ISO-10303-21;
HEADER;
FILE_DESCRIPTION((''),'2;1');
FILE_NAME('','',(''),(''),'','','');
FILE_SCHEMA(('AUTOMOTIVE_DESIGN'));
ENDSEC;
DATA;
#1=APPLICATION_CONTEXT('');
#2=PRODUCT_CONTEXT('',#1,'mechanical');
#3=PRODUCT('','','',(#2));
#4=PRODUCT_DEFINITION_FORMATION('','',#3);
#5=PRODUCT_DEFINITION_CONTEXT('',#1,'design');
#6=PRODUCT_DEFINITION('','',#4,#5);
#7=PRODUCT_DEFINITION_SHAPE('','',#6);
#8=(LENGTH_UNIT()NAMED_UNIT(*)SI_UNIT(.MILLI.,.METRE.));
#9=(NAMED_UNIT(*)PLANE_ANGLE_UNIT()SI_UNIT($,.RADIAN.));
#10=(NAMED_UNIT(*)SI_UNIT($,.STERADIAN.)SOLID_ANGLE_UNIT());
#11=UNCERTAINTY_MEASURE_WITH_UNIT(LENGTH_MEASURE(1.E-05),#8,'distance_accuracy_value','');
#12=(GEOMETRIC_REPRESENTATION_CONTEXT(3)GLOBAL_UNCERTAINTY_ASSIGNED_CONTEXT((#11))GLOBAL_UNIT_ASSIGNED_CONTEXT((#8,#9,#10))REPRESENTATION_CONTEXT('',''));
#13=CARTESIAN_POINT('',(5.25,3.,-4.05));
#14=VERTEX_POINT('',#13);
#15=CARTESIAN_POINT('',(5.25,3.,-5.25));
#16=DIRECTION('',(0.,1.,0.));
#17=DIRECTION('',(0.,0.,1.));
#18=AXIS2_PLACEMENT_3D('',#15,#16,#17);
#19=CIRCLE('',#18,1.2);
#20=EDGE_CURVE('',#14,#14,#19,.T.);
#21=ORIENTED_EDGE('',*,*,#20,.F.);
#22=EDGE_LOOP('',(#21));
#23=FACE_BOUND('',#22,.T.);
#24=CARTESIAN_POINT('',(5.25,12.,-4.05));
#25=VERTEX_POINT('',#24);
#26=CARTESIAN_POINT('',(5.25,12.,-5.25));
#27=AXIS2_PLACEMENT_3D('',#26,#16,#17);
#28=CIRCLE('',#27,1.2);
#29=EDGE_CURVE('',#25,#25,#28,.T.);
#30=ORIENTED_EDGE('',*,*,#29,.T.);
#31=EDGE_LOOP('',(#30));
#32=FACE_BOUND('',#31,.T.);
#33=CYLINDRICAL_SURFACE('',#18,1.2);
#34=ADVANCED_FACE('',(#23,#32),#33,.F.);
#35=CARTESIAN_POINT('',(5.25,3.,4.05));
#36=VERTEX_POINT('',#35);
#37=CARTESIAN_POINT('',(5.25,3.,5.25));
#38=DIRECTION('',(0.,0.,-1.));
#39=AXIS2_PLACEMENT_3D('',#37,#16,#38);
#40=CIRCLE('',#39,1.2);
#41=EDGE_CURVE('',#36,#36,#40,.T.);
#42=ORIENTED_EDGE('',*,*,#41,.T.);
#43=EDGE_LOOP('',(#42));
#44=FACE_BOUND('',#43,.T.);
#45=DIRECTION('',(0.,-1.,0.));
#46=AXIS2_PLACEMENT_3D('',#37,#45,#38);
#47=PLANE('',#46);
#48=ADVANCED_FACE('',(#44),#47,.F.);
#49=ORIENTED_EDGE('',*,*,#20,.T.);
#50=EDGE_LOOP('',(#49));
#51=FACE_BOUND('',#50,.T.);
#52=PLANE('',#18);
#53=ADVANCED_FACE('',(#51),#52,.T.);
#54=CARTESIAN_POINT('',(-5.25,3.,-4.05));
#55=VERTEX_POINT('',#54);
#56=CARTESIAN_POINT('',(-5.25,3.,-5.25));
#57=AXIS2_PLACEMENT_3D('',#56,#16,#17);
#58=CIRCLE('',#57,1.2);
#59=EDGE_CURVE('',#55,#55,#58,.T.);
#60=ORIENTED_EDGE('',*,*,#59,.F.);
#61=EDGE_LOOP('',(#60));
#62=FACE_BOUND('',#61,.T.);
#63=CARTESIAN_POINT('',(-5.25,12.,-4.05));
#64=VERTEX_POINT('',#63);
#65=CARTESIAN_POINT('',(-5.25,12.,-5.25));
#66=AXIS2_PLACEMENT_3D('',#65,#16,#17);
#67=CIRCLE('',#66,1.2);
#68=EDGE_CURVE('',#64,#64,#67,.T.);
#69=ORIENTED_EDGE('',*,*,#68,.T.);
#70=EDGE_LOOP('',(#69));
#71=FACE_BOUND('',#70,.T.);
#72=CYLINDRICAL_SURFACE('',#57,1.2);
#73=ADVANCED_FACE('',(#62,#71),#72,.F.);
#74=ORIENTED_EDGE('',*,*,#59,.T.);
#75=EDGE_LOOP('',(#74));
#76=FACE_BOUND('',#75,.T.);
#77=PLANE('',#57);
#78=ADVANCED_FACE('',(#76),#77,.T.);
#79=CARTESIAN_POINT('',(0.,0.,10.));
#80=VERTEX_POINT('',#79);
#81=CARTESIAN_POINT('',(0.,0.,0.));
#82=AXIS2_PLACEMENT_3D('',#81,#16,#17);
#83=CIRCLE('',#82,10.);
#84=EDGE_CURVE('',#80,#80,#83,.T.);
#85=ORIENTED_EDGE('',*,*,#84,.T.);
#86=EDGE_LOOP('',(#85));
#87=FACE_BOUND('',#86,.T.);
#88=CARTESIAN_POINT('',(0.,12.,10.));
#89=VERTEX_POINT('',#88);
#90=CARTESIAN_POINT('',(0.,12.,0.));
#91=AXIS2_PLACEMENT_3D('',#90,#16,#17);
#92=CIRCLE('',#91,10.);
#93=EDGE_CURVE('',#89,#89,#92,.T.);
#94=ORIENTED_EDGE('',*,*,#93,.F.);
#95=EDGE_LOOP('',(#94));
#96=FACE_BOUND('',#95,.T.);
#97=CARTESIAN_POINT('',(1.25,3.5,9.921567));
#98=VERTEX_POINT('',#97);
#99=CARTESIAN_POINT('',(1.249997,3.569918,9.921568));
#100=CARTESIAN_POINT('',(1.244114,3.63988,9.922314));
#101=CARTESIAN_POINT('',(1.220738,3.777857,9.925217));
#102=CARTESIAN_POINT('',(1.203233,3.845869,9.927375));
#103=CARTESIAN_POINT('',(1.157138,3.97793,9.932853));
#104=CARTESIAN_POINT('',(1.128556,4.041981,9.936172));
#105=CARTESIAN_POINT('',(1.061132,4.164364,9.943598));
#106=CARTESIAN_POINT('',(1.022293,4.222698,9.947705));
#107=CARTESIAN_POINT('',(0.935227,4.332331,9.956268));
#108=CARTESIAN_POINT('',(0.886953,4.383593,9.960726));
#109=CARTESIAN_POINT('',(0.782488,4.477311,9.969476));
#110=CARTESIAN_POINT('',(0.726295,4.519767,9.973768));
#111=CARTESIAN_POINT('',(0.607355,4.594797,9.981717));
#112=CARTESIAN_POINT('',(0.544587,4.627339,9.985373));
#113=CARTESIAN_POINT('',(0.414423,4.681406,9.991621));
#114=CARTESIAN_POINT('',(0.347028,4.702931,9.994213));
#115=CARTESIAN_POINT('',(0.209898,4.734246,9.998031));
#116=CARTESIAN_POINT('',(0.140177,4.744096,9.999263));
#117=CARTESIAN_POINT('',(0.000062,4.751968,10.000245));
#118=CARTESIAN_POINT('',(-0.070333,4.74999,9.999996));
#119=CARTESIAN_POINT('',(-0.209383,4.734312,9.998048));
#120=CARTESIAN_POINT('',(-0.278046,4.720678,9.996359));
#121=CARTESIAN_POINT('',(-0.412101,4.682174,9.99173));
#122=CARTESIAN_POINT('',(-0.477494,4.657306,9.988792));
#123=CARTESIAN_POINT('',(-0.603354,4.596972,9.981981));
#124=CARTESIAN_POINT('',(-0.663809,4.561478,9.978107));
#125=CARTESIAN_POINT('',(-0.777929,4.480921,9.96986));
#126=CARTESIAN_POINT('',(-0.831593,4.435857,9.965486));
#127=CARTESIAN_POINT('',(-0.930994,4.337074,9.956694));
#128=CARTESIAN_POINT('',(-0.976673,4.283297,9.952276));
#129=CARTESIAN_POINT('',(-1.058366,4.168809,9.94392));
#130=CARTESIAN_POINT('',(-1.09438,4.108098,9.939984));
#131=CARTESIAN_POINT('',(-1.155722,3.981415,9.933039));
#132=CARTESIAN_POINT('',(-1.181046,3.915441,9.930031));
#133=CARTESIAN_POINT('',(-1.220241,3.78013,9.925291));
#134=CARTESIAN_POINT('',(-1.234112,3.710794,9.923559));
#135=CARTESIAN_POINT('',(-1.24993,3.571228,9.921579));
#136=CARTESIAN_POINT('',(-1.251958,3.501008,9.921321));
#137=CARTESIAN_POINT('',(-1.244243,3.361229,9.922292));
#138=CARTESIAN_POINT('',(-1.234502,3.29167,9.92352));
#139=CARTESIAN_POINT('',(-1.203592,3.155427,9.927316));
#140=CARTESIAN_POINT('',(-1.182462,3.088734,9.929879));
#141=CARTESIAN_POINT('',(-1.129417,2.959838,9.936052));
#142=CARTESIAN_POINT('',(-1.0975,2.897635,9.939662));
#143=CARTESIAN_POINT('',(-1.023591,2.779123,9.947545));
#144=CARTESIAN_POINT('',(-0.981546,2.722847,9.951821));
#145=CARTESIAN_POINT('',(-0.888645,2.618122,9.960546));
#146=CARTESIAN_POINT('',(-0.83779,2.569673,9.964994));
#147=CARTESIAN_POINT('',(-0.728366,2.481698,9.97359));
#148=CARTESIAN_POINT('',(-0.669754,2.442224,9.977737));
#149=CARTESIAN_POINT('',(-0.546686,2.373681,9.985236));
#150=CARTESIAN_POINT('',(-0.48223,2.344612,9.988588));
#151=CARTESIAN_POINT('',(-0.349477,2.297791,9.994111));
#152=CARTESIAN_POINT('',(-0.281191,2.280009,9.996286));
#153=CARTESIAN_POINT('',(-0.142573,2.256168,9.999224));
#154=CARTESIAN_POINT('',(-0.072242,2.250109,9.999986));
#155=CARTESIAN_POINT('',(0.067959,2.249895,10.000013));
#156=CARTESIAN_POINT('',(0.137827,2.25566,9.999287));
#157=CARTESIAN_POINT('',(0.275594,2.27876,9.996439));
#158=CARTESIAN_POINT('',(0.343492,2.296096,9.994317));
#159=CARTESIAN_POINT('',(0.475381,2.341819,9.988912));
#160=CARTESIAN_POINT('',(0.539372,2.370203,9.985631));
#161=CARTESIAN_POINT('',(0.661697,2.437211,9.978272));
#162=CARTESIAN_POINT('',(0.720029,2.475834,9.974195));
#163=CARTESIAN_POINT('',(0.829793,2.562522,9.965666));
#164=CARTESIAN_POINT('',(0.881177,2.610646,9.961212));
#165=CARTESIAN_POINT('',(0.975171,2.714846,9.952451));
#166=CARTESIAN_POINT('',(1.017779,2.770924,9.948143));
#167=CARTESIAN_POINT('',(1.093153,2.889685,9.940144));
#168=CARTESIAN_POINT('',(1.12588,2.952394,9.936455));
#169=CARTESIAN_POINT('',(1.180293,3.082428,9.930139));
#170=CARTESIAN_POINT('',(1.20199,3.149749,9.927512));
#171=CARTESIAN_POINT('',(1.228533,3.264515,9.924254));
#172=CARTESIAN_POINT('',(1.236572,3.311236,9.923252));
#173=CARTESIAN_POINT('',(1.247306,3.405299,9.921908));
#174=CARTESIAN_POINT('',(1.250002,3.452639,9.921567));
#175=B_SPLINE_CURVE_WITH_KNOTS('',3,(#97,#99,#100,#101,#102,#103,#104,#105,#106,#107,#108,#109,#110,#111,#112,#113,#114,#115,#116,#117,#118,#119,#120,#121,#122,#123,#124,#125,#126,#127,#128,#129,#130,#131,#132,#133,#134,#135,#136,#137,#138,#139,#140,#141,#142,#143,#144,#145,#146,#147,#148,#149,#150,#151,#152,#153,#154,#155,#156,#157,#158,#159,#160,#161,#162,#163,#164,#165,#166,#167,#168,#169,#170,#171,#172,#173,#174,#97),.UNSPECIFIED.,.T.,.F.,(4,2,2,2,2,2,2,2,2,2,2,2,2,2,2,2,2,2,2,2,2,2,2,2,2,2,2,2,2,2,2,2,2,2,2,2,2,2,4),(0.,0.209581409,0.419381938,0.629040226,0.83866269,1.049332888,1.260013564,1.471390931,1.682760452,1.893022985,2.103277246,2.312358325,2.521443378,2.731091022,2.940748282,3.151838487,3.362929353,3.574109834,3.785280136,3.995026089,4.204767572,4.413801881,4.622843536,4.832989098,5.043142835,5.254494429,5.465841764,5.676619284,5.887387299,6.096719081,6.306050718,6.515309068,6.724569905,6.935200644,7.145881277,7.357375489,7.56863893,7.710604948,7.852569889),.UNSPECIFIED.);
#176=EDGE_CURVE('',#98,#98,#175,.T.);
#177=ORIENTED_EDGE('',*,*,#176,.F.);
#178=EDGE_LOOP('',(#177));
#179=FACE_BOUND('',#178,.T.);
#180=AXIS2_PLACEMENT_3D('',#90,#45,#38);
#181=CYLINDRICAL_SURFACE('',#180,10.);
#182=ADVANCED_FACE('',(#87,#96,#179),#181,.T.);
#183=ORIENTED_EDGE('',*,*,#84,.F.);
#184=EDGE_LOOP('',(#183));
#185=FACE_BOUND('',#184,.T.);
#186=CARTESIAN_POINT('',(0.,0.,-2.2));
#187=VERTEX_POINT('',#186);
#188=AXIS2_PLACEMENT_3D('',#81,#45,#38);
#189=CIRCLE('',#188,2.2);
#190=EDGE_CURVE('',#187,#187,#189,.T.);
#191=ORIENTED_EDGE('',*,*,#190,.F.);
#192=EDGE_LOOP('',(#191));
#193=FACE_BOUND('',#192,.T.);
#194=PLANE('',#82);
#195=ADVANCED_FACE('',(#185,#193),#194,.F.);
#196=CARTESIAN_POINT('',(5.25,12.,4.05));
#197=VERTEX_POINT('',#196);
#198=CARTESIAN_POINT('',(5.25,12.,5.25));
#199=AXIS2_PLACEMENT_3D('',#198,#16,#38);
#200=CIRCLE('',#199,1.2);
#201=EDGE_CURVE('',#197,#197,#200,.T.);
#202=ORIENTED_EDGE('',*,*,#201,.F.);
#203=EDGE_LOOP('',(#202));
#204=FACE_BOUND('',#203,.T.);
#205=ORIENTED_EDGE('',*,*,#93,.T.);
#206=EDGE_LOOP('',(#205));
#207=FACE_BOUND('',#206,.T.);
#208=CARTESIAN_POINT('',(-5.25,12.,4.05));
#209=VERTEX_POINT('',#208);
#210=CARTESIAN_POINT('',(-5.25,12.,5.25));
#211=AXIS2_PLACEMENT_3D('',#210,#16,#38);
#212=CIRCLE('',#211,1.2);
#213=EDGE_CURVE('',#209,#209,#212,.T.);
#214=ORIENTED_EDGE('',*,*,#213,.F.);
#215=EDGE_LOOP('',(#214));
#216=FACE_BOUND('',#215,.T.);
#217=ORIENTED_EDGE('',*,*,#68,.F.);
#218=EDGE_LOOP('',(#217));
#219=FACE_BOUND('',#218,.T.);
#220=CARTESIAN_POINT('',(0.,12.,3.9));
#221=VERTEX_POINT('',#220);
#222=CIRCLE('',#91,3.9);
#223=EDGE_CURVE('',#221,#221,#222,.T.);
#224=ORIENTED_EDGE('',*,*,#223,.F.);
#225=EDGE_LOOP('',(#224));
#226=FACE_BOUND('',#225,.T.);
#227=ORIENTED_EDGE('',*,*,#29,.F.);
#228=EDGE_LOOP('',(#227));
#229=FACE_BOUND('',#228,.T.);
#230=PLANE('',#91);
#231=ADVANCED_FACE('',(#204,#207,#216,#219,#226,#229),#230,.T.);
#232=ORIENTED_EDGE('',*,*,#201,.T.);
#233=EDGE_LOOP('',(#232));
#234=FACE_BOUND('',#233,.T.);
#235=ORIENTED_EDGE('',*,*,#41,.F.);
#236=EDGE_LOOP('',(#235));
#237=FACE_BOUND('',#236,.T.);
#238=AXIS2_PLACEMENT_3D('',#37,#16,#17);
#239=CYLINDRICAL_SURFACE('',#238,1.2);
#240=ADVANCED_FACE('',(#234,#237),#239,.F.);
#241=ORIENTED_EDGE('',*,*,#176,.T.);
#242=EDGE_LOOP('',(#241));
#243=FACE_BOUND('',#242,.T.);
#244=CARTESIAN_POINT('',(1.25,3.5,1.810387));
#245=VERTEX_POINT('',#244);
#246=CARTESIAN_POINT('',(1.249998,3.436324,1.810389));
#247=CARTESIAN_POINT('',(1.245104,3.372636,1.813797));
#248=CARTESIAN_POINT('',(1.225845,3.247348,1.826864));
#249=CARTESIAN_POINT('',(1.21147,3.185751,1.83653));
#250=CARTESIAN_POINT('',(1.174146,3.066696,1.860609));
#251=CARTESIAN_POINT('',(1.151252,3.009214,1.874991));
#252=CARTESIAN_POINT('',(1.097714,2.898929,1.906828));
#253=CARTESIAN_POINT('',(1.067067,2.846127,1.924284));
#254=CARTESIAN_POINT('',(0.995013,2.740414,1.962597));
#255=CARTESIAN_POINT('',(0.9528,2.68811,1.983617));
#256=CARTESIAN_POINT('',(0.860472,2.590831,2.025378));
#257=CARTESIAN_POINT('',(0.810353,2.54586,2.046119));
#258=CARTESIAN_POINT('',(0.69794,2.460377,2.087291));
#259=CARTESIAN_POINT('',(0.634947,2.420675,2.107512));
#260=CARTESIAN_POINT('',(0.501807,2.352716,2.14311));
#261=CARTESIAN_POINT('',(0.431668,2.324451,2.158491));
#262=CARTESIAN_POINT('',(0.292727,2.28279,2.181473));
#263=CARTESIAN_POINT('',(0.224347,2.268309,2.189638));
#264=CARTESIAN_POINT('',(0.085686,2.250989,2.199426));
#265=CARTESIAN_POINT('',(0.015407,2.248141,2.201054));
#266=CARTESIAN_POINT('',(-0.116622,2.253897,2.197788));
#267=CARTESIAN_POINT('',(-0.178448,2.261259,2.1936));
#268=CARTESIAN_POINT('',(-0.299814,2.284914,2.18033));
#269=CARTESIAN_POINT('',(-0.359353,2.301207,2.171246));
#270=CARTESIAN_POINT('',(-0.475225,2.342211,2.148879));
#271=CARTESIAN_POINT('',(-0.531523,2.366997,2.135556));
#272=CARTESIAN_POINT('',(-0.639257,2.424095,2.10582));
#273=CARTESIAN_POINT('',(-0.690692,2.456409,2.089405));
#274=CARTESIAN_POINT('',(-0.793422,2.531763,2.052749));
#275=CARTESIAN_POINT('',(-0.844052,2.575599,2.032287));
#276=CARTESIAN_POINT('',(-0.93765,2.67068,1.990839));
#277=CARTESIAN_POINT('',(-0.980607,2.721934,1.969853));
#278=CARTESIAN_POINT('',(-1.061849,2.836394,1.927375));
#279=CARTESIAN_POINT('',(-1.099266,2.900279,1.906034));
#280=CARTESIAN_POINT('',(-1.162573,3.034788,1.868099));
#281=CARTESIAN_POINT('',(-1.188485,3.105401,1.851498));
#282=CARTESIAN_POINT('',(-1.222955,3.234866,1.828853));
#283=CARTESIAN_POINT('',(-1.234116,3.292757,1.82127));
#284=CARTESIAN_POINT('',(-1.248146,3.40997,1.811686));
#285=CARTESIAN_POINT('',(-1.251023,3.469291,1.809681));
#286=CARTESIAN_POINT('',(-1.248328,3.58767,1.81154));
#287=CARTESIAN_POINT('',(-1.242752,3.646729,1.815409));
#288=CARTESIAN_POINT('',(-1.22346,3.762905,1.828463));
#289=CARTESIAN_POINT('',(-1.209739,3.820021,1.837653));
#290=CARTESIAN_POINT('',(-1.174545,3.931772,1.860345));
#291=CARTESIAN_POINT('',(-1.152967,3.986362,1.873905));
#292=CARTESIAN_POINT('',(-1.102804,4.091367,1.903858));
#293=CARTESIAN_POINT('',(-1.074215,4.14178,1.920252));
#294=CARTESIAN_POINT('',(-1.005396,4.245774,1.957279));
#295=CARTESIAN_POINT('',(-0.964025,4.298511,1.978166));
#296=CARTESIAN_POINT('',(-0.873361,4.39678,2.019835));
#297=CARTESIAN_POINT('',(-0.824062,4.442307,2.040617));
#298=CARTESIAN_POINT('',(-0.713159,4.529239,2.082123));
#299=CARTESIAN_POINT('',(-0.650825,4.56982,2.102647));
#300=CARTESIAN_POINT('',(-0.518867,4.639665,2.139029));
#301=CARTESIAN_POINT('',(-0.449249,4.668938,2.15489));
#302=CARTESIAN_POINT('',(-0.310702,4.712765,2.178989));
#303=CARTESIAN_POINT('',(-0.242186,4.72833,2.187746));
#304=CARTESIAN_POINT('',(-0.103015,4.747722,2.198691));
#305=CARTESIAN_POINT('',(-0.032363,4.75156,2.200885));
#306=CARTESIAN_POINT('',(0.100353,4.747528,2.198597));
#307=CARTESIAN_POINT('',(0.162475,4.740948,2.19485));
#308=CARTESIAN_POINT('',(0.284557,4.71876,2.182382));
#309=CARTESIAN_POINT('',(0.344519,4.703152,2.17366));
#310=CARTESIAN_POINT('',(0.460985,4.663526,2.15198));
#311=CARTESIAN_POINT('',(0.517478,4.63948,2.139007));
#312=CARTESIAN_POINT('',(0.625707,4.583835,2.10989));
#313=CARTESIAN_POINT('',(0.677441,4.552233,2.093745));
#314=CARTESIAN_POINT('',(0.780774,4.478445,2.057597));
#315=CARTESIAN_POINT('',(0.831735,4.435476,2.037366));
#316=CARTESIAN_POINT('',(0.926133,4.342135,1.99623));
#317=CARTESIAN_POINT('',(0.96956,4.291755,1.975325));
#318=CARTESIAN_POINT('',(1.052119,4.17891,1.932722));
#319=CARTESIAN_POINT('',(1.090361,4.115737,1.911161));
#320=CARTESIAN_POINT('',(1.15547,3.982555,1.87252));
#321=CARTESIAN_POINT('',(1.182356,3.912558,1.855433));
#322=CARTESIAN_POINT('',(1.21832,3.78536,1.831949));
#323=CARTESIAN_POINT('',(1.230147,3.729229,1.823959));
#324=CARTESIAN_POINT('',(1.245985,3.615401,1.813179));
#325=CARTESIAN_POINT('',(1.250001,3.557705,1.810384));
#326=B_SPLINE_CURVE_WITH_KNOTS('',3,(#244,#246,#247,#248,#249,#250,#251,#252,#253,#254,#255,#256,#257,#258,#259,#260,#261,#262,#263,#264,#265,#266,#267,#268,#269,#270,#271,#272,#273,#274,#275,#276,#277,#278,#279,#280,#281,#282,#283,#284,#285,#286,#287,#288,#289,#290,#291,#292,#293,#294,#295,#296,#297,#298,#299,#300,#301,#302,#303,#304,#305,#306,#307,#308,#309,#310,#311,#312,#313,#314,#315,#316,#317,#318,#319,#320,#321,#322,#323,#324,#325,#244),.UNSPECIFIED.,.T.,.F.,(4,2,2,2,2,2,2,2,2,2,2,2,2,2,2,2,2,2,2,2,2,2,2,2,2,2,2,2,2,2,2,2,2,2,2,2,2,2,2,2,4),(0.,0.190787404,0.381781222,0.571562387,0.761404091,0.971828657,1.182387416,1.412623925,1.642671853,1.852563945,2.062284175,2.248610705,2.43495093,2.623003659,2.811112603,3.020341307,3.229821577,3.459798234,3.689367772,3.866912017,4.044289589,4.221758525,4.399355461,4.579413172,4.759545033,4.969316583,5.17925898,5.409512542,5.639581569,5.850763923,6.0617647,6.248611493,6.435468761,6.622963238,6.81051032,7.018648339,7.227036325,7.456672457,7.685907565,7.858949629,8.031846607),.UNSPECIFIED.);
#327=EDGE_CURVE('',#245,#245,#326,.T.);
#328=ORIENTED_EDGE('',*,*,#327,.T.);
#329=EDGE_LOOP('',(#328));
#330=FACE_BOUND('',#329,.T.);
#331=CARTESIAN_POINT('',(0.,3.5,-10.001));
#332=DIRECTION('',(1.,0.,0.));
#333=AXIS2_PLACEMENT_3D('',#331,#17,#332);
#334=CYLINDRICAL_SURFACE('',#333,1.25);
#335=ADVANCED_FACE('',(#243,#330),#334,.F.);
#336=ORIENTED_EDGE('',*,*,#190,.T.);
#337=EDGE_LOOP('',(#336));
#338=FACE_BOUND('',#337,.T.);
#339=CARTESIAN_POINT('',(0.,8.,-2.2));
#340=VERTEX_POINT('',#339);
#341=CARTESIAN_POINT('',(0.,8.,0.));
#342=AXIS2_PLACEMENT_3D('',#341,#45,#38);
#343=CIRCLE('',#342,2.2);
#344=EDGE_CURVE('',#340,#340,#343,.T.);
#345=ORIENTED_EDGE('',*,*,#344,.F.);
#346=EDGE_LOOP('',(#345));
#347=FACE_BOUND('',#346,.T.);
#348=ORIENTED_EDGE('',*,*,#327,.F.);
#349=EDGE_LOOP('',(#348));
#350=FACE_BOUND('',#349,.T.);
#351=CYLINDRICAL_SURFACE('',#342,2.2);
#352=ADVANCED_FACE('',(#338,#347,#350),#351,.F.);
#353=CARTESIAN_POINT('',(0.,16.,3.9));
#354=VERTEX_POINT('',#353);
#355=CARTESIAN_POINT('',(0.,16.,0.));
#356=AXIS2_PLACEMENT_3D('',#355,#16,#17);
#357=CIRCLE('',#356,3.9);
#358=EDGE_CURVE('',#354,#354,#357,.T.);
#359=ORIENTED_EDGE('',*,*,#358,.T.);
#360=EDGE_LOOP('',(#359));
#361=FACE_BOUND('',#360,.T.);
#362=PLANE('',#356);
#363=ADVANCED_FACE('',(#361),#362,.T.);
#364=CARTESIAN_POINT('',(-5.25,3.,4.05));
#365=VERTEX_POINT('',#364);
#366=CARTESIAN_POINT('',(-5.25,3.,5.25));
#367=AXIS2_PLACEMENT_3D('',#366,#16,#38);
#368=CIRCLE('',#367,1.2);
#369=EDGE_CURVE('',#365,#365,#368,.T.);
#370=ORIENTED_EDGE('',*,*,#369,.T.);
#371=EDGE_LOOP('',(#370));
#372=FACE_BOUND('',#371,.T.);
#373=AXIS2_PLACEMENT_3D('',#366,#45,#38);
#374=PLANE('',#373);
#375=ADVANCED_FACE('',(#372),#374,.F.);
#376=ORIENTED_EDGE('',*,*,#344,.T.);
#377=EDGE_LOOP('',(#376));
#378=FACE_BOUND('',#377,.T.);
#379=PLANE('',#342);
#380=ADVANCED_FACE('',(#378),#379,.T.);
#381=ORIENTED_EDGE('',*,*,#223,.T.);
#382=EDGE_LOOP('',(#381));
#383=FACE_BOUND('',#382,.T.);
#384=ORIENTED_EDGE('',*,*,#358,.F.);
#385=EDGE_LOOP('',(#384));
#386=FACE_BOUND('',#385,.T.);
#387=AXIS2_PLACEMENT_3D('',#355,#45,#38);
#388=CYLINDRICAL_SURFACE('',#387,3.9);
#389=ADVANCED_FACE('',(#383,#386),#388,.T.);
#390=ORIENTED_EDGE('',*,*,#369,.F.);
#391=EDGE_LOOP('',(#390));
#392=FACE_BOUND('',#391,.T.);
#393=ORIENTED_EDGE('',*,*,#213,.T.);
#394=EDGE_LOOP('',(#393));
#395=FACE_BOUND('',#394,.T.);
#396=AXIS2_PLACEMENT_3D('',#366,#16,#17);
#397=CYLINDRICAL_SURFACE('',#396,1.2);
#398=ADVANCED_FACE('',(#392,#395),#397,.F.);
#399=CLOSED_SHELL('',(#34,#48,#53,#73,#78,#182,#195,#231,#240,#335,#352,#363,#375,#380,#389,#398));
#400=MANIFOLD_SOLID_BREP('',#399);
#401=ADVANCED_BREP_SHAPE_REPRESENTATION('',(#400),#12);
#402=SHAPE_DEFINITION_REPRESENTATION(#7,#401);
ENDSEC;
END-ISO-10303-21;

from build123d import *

# Parameters (mm, degrees)
SKIZZE1_R                       = 10
AUFSATZ_LINEAR_AUSTRAGEN1_DEPTH = 12
SKIZZE2_R                       = 3.9
AUFSATZ_LINEAR_AUSTRAGEN2_DEPTH = 4
SKIZZE3_R                       = 2.2
SCHNITT_LINEAR_AUSTRAGEN1_DEPTH = 8
SCHNITT_LINEAR_AUSTRAGEN2_REACH = 22
SKIZZE4_R                       = 1.25
SKIZZE5_R                       = 1.2
SCHNITT_LINEAR_AUSTRAGEN3_DEPTH = 9


with BuildPart() as part:
    # Skizze1 → Aufsatz-Linear austragen1 (new body)
    with BuildSketch(Plane(origin=(0, 0, 0), x_dir=(1, 0, 0), z_dir=(0, 1, 0))):
        Circle(SKIZZE1_R)
    extrude(amount=AUFSATZ_LINEAR_AUSTRAGEN1_DEPTH)

    # Skizze2 → Aufsatz-Linear austragen2 (add)
    with BuildSketch(Plane(origin=(0, 12, 0), x_dir=(1, 0, 0), z_dir=(0, 1, 0))):
        Circle(SKIZZE2_R)
    extrude(amount=AUFSATZ_LINEAR_AUSTRAGEN2_DEPTH)

    # Skizze3 → Schnitt-Linear austragen1 (cut)
    with BuildSketch(Plane.XZ):
        Circle(SKIZZE3_R)
    extrude(amount=-SCHNITT_LINEAR_AUSTRAGEN1_DEPTH, mode=Mode.SUBTRACT)

    # Skizze4 → Schnitt-Linear austragen2 (cut, up to next)
    with BuildSketch(Plane.XY.offset(10), mode=Mode.PRIVATE) as schnitt_linear_austragen2_sk1:
        with Locations((0, 3.5)):
            Circle(SKIZZE4_R)
    schnitt_linear_austragen2_tool1 = extrude(schnitt_linear_austragen2_sk1.sketch, amount=-SCHNITT_LINEAR_AUSTRAGEN2_REACH, mode=Mode.PRIVATE) & part.part
    add(schnitt_linear_austragen2_tool1.solids().sort_by_distance((0, 3.5, 10))[0], mode=Mode.SUBTRACT)

    # Skizze5 → Schnitt-Linear austragen3 (cut)
    with BuildSketch(Plane(origin=(0, 12, 0), x_dir=(1, 0, 0), z_dir=(0, 1, 0))):
        with Locations((-5.25, 5.25)):
            Circle(SKIZZE5_R)
        with Locations((5.25, 5.25)):
            Circle(SKIZZE5_R)
        with Locations((5.25, -5.25)):
            Circle(SKIZZE5_R)
        with Locations((-5.25, -5.25)):
            Circle(SKIZZE5_R)
    extrude(amount=-SCHNITT_LINEAR_AUSTRAGEN3_DEPTH, mode=Mode.SUBTRACT)


solid = part.part
